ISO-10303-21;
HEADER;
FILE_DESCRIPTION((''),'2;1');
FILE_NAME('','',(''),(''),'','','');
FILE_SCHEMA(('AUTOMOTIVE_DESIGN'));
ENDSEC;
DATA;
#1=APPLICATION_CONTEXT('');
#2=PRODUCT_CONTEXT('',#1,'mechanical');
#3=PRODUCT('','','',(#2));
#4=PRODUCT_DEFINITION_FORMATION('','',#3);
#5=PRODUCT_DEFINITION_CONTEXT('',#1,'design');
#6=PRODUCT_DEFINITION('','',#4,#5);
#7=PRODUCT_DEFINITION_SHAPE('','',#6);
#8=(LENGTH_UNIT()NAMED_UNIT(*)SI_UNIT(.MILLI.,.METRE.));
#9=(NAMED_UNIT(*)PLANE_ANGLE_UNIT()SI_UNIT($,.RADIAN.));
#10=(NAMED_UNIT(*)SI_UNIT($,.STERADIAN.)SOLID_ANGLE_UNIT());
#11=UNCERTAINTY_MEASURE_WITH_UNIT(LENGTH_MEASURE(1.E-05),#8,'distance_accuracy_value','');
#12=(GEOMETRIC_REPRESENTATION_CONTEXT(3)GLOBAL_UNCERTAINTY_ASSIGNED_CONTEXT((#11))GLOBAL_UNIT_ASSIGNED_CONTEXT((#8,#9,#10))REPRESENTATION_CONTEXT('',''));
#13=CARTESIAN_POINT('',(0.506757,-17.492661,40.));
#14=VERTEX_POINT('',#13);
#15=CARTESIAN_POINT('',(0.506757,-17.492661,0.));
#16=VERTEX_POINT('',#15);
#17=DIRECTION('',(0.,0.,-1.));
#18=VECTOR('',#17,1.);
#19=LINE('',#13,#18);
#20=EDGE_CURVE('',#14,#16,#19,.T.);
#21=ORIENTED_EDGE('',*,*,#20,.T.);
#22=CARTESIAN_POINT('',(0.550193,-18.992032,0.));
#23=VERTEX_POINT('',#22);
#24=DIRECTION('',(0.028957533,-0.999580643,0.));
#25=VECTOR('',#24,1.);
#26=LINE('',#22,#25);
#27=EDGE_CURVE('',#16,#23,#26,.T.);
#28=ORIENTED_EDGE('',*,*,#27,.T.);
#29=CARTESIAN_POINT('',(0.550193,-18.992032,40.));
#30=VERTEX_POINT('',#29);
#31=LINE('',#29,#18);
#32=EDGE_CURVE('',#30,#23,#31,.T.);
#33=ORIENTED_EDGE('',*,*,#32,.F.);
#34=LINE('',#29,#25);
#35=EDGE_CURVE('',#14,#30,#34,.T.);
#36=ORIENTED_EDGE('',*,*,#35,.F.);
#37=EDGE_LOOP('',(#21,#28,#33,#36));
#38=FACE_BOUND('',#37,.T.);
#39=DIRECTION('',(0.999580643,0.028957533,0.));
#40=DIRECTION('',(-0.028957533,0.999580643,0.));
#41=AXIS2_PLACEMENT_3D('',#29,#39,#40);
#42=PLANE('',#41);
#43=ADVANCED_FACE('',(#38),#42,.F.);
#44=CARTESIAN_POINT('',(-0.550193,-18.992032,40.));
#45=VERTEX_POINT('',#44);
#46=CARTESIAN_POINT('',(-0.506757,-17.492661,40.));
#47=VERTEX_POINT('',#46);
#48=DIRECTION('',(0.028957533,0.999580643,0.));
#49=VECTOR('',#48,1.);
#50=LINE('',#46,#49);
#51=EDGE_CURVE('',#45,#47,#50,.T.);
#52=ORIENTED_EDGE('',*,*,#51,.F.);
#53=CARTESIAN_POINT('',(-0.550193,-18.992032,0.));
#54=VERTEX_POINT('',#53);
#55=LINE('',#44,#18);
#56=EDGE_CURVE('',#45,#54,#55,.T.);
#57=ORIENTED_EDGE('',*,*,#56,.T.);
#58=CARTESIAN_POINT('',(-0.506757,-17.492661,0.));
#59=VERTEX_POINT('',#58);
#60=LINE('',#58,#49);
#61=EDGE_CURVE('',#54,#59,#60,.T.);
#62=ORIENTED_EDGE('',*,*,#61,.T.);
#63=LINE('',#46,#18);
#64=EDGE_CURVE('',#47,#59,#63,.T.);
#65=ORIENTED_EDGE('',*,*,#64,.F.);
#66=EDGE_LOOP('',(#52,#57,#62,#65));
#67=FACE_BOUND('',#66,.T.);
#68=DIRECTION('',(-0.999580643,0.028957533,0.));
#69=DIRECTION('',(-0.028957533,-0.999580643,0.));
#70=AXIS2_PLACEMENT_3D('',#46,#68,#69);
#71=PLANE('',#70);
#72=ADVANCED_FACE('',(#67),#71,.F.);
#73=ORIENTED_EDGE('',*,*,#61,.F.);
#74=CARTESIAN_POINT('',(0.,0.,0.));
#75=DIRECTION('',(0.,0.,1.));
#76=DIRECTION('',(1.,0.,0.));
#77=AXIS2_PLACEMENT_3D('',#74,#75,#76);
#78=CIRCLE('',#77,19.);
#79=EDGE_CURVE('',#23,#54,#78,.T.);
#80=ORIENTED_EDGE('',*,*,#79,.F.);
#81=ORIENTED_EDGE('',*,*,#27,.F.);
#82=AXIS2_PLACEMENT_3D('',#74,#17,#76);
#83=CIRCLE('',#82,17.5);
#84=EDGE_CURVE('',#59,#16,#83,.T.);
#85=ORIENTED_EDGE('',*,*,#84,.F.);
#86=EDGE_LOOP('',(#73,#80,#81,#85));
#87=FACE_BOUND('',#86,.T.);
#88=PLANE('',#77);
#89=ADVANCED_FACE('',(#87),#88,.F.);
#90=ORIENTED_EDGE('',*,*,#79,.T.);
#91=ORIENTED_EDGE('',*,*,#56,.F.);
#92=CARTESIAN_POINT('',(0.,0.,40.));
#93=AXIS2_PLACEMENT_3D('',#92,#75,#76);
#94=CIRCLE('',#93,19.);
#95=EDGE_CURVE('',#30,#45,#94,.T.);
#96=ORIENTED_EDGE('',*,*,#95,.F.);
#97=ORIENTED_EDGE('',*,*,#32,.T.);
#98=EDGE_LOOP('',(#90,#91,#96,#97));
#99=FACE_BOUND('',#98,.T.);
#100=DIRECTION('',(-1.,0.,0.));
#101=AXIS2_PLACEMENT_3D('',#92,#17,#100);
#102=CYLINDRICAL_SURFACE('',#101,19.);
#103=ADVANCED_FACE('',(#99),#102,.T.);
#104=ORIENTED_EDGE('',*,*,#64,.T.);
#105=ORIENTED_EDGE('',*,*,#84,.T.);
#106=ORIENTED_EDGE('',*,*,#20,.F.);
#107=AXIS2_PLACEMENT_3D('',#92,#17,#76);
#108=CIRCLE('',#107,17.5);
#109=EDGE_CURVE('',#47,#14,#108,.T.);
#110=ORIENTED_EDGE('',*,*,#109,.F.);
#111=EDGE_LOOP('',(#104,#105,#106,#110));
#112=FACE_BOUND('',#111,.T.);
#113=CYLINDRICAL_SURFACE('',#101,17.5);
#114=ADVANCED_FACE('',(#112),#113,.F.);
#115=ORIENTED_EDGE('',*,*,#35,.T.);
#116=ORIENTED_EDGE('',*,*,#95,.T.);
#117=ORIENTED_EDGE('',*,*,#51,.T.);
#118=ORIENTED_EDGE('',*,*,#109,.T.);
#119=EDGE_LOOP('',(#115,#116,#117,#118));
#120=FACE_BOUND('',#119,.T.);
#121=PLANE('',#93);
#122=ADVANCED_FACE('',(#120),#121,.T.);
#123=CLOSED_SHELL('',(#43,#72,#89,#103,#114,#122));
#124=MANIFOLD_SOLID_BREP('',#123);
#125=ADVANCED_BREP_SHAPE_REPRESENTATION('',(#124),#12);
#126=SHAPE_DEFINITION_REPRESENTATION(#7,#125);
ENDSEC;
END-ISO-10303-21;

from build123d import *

# Parameters (mm, degrees)
BOSS_EXTRUDE1_DEPTH = 40


with BuildPart() as part:
    # Sketch1 → Boss-Extrude1 (new body)
    with BuildSketch(Plane.XY):
        with BuildLine():
            Line((-0.506756832, -17.492661247), (-0.550193132, -18.992032211))
            ThreePointArc((-0.550193132, -18.992032211), (0, 19), (0.550193132, -18.992032211))
            Line((0.550193132, -18.992032211), (0.506756832, -17.492661247))
            ThreePointArc((0.506756832, -17.492661247), (0, 17.5), (-0.506756832, -17.492661247))
        make_face()
    extrude(amount=BOSS_EXTRUDE1_DEPTH)


solid = part.part
